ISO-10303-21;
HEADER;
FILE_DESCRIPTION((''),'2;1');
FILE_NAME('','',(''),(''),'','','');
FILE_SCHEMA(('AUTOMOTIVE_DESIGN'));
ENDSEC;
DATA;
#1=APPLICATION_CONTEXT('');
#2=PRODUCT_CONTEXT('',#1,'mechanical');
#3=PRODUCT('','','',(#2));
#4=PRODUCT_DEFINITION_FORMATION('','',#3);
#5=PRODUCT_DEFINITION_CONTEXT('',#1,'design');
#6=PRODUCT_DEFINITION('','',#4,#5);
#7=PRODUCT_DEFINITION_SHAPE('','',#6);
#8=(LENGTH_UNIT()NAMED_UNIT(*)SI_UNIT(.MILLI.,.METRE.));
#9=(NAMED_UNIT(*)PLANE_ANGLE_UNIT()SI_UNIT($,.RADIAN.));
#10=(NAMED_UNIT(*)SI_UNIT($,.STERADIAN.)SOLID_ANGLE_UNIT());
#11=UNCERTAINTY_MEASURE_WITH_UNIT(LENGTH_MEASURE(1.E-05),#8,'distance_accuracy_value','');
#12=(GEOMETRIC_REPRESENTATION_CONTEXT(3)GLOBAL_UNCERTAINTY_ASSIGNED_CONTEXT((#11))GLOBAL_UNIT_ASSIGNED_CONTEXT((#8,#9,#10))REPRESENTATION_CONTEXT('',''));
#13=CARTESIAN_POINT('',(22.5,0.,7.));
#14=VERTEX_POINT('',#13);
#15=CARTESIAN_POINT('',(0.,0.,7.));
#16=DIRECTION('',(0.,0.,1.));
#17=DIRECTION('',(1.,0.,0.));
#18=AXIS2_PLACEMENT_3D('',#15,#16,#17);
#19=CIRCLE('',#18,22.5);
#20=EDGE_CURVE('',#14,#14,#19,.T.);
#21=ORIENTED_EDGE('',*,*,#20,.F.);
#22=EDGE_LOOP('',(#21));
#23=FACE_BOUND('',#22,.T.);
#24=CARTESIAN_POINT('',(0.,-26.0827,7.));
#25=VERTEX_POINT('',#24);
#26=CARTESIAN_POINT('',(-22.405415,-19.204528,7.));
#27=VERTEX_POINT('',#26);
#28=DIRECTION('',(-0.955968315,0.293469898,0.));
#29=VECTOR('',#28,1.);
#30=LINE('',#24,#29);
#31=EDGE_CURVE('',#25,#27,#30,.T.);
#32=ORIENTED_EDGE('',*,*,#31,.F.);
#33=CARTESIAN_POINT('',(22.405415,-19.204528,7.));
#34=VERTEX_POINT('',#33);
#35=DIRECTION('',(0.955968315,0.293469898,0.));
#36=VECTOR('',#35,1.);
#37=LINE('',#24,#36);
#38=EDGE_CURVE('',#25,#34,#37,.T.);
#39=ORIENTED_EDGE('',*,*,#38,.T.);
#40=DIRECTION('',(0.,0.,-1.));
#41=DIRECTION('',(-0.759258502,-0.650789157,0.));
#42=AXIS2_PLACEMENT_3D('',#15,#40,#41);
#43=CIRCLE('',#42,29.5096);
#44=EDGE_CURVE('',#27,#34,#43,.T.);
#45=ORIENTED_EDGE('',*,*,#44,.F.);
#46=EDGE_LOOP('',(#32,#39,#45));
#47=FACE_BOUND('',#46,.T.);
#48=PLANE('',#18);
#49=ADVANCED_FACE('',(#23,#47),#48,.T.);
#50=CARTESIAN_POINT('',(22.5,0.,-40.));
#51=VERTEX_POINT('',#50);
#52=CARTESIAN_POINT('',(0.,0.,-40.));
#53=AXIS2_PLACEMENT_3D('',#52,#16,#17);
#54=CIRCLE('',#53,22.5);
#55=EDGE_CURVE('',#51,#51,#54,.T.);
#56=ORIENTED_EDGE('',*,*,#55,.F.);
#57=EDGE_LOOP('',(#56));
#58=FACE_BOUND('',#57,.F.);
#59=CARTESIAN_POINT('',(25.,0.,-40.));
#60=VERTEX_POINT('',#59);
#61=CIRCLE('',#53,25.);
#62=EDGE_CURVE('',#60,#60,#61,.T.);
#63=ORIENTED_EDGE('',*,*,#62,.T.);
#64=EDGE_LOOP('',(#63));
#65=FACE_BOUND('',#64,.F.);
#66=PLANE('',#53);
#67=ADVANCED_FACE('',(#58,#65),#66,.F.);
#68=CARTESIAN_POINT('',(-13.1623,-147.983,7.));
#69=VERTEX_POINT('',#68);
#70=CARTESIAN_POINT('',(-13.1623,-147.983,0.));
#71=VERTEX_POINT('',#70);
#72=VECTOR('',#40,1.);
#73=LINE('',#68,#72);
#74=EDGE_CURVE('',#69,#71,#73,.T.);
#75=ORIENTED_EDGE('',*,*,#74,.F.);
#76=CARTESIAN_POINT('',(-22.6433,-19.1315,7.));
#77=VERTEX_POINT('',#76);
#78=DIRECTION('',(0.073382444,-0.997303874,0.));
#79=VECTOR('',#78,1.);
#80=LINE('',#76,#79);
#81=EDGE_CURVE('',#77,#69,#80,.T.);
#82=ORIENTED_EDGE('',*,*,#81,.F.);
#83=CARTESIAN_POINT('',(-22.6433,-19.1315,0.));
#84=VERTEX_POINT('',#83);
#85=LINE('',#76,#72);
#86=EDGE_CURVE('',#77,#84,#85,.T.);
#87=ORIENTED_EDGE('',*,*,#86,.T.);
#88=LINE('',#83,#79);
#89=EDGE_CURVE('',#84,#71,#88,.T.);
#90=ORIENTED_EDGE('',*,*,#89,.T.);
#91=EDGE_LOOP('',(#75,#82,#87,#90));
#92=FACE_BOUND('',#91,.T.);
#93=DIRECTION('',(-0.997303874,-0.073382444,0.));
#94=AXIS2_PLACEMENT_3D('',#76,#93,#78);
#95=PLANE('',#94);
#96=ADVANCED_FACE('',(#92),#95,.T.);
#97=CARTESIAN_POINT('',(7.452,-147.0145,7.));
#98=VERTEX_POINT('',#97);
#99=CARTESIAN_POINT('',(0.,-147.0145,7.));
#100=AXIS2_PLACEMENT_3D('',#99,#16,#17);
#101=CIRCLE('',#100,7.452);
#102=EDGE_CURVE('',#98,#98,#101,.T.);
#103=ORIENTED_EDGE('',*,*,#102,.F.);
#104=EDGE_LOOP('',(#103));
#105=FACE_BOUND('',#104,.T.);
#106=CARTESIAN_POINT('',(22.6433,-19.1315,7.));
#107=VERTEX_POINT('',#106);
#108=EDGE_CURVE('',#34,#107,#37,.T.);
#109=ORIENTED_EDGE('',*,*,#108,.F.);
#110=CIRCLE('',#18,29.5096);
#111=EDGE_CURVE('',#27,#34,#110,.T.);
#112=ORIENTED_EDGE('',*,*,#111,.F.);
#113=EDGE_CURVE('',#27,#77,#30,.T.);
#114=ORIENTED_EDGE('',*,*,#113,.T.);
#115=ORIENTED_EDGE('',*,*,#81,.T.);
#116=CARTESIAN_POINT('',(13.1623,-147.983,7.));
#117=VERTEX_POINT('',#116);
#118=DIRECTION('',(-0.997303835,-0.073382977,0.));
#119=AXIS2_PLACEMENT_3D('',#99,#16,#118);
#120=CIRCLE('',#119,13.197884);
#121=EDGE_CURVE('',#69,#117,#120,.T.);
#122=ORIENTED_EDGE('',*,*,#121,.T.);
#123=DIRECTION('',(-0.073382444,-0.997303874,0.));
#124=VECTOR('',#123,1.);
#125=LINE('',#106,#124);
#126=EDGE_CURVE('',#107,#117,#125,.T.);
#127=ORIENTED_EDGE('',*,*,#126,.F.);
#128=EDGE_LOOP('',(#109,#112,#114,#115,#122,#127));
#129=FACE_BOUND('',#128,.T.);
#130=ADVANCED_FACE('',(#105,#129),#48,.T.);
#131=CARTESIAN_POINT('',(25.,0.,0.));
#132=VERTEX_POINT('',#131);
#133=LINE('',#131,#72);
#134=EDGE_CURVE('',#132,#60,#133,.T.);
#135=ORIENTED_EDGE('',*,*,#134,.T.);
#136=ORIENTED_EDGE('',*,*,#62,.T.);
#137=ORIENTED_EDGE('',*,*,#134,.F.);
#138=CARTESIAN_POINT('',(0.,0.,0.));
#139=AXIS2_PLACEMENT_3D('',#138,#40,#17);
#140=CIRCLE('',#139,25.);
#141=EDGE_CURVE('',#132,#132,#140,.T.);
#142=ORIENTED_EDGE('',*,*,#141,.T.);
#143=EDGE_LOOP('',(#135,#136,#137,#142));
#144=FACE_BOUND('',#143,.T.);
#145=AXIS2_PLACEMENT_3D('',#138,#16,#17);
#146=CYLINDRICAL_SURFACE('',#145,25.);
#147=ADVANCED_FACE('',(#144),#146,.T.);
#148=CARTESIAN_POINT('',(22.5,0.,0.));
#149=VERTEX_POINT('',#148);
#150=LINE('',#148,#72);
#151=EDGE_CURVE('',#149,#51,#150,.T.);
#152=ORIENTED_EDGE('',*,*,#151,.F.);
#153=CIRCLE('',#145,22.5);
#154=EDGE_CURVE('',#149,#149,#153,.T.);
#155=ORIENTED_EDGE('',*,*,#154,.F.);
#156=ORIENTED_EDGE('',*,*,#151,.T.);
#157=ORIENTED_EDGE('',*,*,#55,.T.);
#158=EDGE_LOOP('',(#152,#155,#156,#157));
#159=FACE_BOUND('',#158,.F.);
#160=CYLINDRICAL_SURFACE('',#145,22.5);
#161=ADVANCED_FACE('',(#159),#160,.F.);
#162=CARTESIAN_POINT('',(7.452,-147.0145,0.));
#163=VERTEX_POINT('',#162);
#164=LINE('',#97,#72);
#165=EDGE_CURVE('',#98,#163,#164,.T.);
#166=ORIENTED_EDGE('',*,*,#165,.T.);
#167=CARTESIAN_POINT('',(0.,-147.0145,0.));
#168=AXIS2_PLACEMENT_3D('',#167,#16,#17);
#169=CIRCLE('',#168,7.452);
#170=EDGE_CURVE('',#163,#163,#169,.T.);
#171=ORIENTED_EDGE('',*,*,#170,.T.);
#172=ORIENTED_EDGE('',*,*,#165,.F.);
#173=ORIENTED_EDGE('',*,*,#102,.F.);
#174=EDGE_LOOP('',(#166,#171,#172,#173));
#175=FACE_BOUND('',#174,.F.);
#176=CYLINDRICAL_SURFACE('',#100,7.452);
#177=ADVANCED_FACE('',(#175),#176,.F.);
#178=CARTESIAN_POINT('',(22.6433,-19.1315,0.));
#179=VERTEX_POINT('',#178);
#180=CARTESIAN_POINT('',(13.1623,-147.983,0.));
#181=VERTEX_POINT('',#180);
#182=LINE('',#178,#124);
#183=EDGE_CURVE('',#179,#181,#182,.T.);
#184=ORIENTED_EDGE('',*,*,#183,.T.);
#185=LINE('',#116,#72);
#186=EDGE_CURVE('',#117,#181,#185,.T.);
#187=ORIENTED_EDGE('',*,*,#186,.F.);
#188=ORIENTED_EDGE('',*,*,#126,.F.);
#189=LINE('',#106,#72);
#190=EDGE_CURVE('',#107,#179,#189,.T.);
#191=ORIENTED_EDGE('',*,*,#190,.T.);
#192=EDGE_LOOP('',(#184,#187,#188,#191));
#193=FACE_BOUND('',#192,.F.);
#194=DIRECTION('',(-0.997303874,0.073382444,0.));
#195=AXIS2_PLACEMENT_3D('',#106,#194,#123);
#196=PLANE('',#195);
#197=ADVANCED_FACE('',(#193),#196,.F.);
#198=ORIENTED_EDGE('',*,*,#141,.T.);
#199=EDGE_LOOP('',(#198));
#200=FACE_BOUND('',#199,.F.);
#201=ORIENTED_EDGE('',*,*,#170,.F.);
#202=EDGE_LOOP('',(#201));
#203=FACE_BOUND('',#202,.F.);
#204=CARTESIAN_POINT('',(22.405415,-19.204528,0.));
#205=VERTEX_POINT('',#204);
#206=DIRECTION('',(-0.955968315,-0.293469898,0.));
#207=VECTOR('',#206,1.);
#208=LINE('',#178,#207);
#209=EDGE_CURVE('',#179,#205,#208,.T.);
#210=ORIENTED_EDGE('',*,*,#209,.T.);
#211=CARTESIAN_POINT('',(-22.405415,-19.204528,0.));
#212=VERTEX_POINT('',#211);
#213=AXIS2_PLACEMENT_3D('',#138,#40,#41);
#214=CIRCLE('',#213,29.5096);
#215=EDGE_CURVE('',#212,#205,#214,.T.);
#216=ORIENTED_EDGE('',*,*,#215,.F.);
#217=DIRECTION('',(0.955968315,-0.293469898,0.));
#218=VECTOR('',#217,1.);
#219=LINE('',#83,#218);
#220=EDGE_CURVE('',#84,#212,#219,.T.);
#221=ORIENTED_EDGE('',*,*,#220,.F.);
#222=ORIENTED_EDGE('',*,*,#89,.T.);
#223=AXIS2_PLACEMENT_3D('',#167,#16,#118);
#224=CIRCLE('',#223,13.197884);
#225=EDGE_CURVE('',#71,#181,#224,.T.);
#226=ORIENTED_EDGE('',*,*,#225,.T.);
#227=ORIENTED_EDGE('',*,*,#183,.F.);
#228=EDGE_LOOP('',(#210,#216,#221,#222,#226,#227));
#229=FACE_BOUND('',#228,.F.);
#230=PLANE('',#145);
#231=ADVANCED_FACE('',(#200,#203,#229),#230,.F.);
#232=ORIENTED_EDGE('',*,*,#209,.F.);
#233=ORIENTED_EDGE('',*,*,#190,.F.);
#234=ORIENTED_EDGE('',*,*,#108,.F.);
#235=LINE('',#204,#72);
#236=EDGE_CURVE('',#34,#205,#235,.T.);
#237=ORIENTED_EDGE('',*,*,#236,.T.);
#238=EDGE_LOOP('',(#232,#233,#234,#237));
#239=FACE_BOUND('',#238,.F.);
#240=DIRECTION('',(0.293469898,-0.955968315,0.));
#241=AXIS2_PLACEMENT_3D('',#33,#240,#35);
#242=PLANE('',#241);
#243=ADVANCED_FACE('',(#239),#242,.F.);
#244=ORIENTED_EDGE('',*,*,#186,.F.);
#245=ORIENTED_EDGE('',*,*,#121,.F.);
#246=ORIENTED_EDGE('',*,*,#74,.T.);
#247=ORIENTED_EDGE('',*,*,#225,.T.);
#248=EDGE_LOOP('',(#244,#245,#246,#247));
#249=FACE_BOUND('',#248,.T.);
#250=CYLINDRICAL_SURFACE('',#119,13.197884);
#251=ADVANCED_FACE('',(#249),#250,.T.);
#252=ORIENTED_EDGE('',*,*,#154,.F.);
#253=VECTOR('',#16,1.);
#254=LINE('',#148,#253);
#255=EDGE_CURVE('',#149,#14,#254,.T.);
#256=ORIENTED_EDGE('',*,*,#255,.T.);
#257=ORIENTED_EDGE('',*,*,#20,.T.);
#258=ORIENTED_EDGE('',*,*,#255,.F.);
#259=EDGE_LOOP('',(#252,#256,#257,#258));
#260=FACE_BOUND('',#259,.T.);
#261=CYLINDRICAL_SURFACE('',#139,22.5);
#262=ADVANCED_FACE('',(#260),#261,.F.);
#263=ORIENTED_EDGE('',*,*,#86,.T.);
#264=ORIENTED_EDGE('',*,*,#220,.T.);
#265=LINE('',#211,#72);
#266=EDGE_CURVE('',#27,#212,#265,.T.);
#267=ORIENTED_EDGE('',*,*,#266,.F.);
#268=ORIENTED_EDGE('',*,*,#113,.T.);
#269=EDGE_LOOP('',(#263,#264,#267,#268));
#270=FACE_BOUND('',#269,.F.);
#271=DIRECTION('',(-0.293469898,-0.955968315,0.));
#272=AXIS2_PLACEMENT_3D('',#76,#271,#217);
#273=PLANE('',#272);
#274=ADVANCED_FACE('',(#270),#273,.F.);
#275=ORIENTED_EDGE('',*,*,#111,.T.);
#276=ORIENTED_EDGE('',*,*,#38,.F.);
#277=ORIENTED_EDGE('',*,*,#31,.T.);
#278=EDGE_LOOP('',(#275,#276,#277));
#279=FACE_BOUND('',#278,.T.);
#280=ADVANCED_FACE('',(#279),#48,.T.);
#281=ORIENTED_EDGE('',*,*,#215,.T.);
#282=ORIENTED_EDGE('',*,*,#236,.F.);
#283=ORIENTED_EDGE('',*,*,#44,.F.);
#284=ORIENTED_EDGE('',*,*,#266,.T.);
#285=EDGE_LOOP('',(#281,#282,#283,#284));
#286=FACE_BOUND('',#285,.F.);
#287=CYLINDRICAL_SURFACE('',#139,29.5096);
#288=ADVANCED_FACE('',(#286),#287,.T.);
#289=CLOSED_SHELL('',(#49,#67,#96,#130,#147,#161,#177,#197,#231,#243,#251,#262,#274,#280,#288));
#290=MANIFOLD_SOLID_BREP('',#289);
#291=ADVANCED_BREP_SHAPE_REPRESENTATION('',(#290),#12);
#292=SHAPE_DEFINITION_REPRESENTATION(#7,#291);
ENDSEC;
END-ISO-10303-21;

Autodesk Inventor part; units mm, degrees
ref_plane "YZ Plane" through (0, 0, 0) normal (1, 0, 0) x (0, 1, 0)
ref_plane "XZ Plane" through (0, 0, 0) normal (0, 1, 0) x (-1, 0, 0)
ref_plane "XY Plane" through (0, 0, 0) normal (0, 0, 1) x (1, 0, 0)
sketch "Sketch1" plane through (0, 0, 0) normal (0, 0, 1) x (1, 0, 0)
  circle A0 centre (0, 0) radius 22.5
  circle A1 centre (0, 0) radius 25
  dimension "d2" = 45
  dimension "d3" = 50
extrude "Extrusion1" add sketch "Sketch1" against normal blind 40
sketch "Sketch2" plane through (0, 0, 0) normal (0, 0, 1) x (1, 0, 0)
  circle A0 centre (0, 0) radius 22.5
  circle A1 centre (0, 0) radius 29.5096
extrude "Extrusion2" add sketch "Sketch2" along normal blind 7
sketch "Sketch3" plane through (0, 0, 7) normal (0, 0, 1) x (1, 0, 0)
  line L0 (22.6433, -19.1315) -> (13.1623, -147.983)
  arc A0 (-13.1623, -147.983) -> (13.1623, -147.983) centre (0, -147.0145) ccw
  circle A1 centre (0, 0) radius 29.5096 projected
  line L1 (0, -29.5096) -> (0, -45.4675)
  line L2 (-22.6433, -19.1315) -> (-13.1623, -147.983)
  line L3 (-22.6433, -19.1315) -> (0, -26.0827)
  line L4 (0, -26.0827) -> (22.6433, -19.1315)
  circle A2 centre (0, -147.0145) radius 7.452
extrude "Extrusion3" add sketch "Sketch3" against normal blind 7 contours L0 A0 L2 L3 A1 L4 | A1 L3 L4 picked at (-13.395, -22.9465)
properties part number "Manivelle"
